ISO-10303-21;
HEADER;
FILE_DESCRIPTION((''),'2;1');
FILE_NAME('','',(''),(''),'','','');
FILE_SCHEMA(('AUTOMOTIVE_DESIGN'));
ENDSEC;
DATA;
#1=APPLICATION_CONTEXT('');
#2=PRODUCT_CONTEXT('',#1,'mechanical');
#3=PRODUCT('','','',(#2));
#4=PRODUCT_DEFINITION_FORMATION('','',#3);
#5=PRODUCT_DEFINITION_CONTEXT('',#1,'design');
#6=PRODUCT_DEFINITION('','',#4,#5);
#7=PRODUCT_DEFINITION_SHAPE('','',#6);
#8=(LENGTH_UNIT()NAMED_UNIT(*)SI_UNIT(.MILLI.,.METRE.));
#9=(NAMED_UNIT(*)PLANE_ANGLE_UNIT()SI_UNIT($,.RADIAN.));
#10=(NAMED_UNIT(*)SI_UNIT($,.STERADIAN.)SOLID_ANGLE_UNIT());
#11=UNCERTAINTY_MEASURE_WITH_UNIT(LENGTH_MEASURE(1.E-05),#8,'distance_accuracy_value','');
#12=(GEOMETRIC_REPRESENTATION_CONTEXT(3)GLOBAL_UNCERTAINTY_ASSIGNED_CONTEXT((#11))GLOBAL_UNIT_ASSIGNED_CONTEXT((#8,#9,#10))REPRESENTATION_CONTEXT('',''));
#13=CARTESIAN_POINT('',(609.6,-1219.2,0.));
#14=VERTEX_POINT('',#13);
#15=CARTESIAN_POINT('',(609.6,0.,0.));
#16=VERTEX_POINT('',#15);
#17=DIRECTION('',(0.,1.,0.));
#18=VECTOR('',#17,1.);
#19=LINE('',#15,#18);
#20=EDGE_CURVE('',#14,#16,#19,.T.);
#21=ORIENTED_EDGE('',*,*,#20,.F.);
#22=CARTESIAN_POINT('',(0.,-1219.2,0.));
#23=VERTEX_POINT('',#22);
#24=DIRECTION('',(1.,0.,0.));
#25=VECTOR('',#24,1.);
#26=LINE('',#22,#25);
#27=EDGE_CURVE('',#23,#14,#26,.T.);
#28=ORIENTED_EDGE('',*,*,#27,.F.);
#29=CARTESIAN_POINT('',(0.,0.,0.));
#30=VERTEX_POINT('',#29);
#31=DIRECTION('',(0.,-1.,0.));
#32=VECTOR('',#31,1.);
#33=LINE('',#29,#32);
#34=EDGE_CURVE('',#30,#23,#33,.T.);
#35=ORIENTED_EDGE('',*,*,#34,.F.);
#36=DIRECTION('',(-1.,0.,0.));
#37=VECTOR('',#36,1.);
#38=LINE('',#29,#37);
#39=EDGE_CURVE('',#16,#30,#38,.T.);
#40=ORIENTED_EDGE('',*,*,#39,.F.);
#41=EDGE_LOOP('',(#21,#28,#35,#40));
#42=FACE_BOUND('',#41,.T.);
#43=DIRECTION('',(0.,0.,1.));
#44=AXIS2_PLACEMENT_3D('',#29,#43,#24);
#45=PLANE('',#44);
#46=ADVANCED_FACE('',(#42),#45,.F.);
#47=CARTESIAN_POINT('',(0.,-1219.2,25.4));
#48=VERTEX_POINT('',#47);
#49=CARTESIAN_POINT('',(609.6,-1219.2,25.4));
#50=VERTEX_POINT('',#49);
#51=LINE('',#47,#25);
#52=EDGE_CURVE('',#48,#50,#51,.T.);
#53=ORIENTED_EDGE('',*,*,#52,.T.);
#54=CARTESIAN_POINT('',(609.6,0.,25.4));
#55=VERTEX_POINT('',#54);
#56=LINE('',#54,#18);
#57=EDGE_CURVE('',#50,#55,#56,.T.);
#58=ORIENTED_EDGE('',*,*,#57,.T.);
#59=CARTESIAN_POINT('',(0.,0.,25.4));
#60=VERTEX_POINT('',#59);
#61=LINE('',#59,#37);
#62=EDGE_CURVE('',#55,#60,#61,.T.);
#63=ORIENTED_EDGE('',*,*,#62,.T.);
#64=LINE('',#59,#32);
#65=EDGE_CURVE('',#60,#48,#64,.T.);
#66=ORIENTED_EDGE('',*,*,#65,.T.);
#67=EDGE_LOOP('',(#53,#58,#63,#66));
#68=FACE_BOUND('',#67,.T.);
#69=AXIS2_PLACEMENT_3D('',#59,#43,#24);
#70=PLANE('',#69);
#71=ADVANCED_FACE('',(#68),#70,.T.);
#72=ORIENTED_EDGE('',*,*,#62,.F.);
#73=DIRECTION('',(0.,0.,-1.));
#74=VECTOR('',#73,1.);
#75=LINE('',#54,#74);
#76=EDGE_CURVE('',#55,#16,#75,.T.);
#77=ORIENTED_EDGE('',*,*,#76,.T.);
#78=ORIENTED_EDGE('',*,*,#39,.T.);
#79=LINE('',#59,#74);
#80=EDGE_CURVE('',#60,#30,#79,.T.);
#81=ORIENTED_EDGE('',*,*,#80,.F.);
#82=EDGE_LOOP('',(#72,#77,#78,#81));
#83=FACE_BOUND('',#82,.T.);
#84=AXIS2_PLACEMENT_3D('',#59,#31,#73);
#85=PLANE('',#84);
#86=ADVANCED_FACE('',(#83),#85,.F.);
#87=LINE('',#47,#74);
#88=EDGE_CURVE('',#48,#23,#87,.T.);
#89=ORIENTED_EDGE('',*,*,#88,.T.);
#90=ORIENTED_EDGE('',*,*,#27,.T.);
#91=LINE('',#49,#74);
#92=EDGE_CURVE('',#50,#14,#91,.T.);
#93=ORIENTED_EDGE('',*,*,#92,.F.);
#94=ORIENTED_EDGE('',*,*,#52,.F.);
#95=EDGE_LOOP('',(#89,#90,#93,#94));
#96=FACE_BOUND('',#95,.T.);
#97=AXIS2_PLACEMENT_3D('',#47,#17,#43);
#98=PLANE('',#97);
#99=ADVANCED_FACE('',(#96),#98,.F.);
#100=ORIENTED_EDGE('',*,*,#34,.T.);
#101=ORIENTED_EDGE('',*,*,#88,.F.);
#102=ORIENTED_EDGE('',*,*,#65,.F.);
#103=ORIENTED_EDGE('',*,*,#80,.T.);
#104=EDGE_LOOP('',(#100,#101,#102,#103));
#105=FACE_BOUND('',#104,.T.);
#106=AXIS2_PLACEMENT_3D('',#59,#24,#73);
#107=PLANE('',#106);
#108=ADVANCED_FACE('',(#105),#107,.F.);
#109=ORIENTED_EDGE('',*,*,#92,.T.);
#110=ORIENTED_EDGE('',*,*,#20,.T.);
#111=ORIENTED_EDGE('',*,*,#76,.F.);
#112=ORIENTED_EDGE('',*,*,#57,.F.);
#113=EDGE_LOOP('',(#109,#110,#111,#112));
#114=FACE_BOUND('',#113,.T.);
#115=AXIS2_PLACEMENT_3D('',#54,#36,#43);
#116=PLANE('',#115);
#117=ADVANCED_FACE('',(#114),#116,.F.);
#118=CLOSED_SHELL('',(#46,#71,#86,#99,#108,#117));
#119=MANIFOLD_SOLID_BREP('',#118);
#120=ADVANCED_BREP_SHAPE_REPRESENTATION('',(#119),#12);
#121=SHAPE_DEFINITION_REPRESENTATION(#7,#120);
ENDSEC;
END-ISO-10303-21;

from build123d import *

# Parameters (mm, degrees)
SKETCH1_W           = 609.6
SKETCH1_H           = 1219.2
BOSS_EXTRUDE1_DEPTH = 25.4


with BuildPart() as part:
    # Sketch1 → Boss-Extrude1 (new body)
    with BuildSketch(Plane.XY):
        with Locations((304.8, -609.6)):
            Rectangle(SKETCH1_W, SKETCH1_H)
    extrude(amount=BOSS_EXTRUDE1_DEPTH)


solid = part.part
